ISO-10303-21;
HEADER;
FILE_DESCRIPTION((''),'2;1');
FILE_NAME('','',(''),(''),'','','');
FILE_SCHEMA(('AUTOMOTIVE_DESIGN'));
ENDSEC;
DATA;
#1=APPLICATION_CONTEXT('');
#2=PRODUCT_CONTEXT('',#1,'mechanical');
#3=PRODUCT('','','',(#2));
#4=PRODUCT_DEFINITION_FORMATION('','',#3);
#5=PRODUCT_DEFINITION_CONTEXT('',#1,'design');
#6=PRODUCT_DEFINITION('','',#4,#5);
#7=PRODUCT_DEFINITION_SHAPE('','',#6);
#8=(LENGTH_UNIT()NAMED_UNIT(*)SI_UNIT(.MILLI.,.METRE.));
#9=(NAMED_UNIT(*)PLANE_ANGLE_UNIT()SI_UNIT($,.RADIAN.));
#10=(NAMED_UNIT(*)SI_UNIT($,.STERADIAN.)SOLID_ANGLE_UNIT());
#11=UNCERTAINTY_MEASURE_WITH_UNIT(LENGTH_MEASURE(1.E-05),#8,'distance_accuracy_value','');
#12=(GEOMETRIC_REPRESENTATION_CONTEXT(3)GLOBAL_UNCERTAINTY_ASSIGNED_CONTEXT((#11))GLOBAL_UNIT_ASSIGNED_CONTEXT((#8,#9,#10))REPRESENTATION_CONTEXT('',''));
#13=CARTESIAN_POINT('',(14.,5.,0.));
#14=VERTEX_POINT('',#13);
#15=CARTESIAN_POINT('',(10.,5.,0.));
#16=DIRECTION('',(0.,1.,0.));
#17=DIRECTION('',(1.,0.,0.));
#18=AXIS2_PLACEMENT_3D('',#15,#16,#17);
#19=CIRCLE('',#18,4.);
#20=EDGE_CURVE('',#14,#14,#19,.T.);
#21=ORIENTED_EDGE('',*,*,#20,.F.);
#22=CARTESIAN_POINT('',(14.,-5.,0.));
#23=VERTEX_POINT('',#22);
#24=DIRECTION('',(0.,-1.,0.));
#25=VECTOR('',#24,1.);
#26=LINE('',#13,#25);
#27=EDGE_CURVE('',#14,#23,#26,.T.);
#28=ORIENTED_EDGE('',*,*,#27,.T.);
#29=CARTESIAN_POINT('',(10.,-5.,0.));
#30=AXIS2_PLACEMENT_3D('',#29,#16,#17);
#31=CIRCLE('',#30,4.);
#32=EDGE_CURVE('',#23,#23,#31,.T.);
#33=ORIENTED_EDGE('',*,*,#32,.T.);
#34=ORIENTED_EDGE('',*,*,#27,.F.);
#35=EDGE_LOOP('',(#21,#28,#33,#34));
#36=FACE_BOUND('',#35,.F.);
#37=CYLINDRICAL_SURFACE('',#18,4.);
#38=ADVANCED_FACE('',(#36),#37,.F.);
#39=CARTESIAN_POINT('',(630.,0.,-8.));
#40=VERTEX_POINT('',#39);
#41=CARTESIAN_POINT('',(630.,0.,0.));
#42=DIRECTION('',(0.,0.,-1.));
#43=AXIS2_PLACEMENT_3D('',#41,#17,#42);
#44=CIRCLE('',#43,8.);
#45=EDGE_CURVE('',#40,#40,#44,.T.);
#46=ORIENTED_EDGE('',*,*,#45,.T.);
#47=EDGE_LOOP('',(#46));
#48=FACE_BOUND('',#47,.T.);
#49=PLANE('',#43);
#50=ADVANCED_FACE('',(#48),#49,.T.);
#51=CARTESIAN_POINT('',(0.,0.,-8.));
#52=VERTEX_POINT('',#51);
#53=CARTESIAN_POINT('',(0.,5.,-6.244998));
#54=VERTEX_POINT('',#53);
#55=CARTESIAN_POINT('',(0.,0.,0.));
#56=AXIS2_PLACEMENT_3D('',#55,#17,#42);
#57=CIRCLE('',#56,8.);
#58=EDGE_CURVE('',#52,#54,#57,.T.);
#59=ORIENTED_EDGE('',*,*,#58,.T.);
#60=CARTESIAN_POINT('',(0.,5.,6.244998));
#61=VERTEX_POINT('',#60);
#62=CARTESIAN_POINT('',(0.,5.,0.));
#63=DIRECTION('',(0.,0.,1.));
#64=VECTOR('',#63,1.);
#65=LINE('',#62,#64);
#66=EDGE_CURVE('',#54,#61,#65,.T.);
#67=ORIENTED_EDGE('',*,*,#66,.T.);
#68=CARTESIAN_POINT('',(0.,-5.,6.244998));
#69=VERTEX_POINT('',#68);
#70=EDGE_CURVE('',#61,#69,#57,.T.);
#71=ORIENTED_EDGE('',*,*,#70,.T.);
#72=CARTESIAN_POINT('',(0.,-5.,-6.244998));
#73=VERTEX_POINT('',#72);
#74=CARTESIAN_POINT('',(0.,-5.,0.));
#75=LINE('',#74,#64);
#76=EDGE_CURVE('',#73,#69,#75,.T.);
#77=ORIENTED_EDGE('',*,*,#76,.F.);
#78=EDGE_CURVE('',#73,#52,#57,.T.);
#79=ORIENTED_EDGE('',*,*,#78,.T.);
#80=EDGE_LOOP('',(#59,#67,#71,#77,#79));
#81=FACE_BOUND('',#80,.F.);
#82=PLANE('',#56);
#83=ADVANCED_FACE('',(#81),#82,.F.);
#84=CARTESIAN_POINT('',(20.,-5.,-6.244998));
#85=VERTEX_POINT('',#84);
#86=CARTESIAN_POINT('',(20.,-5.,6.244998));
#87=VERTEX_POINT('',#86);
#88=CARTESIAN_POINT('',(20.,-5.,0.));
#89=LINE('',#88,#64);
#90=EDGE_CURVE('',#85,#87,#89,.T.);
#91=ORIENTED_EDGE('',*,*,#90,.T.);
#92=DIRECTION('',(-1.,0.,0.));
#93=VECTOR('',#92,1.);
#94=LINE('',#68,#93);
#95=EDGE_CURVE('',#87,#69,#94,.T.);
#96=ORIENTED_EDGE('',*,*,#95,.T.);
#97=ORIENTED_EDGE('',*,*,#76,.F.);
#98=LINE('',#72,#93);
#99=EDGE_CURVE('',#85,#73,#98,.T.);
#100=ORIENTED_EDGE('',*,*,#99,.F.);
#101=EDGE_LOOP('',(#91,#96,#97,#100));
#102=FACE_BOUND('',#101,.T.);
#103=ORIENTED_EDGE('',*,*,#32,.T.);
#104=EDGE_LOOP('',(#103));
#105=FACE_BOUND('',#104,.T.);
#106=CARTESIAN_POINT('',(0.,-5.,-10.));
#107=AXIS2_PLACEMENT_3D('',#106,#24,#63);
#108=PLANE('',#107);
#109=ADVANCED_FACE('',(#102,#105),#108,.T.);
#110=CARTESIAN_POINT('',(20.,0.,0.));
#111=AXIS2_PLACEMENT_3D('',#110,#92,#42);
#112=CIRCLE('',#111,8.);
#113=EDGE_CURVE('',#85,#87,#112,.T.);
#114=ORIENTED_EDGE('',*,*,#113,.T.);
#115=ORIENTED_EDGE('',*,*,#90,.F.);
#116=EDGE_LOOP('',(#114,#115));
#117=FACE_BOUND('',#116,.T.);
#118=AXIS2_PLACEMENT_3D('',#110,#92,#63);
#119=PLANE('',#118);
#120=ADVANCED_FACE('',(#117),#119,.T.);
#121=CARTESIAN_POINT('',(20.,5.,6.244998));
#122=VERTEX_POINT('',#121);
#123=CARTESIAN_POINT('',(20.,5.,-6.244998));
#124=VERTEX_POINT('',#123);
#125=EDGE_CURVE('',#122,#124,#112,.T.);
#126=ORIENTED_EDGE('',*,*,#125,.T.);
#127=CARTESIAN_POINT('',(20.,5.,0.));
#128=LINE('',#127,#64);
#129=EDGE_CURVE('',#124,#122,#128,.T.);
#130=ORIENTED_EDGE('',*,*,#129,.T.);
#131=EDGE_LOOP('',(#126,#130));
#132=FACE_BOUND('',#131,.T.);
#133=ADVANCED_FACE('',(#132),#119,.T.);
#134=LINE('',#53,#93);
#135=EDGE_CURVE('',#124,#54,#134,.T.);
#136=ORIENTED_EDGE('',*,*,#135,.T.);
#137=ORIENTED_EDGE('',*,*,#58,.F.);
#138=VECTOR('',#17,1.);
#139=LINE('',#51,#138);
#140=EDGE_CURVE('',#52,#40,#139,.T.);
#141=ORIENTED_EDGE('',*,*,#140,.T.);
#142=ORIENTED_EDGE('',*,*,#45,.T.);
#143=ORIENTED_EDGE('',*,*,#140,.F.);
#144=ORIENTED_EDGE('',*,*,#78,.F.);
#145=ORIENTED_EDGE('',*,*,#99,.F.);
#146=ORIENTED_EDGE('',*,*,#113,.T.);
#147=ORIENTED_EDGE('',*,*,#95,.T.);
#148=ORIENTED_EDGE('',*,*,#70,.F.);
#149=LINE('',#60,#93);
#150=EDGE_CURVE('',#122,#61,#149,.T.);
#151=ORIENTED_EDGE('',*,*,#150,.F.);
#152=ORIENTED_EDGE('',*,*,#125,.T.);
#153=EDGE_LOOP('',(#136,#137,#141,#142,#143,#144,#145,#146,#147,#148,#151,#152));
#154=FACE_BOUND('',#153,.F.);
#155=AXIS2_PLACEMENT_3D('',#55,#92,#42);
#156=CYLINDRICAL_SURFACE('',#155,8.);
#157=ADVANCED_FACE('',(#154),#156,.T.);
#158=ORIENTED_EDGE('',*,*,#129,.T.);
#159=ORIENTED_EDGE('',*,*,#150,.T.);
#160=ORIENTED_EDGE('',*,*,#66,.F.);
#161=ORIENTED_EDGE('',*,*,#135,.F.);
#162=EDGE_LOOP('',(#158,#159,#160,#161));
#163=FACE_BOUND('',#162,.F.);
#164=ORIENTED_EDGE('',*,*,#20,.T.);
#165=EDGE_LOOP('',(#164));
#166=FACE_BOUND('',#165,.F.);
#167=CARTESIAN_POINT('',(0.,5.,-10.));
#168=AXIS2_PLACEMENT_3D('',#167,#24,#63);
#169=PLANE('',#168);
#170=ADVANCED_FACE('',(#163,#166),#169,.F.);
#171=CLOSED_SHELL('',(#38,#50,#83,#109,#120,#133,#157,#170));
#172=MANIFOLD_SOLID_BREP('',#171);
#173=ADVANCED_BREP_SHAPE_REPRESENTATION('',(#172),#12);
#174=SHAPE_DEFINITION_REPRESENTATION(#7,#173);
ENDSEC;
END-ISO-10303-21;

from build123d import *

# Parameters (mm, degrees)
SKETCH_1_R           = 8
EXTRUDE_1_DEPTH      = 630
SKETCH_3_OUTSIDE_W   = 144.082
SKETCH_3_OUTSIDE_H   = 144.082
SKETCH_3_OUTSIDE_W_2 = 20
SKETCH_3_OUTSIDE_H_2 = 10
CUT_EXTRUDE_2_DEPTH  = 20
SKETCH_4_R           = 4
CUT_EXTRUDE_3_DEPTH  = 14


with BuildPart() as part:
    # 草图1 → 凸台-拉伸1 (new body)
    with BuildSketch(Plane(origin=(0, 0, 0), x_dir=(0, 0, -1), z_dir=(1, 0, 0))):
        Circle(SKETCH_1_R)
    extrude(amount=EXTRUDE_1_DEPTH)

    # 草图3 outside → 切除-拉伸2 (cut)
    with BuildSketch(Plane.ZY):
        Rectangle(SKETCH_3_OUTSIDE_W, SKETCH_3_OUTSIDE_H)
        Rectangle(SKETCH_3_OUTSIDE_W_2, SKETCH_3_OUTSIDE_H_2, mode=Mode.SUBTRACT)
    extrude(amount=-CUT_EXTRUDE_2_DEPTH, mode=Mode.SUBTRACT)

    # 草图4 → 切除-拉伸3 (cut, through all)
    with BuildSketch(Plane(origin=(0, 5, 0), x_dir=(1, 0, 0), z_dir=(0, 1, 0))):
        with Locations((10, 0)):
            Circle(SKETCH_4_R)
    extrude(amount=-CUT_EXTRUDE_3_DEPTH, mode=Mode.SUBTRACT)


solid = part.part
